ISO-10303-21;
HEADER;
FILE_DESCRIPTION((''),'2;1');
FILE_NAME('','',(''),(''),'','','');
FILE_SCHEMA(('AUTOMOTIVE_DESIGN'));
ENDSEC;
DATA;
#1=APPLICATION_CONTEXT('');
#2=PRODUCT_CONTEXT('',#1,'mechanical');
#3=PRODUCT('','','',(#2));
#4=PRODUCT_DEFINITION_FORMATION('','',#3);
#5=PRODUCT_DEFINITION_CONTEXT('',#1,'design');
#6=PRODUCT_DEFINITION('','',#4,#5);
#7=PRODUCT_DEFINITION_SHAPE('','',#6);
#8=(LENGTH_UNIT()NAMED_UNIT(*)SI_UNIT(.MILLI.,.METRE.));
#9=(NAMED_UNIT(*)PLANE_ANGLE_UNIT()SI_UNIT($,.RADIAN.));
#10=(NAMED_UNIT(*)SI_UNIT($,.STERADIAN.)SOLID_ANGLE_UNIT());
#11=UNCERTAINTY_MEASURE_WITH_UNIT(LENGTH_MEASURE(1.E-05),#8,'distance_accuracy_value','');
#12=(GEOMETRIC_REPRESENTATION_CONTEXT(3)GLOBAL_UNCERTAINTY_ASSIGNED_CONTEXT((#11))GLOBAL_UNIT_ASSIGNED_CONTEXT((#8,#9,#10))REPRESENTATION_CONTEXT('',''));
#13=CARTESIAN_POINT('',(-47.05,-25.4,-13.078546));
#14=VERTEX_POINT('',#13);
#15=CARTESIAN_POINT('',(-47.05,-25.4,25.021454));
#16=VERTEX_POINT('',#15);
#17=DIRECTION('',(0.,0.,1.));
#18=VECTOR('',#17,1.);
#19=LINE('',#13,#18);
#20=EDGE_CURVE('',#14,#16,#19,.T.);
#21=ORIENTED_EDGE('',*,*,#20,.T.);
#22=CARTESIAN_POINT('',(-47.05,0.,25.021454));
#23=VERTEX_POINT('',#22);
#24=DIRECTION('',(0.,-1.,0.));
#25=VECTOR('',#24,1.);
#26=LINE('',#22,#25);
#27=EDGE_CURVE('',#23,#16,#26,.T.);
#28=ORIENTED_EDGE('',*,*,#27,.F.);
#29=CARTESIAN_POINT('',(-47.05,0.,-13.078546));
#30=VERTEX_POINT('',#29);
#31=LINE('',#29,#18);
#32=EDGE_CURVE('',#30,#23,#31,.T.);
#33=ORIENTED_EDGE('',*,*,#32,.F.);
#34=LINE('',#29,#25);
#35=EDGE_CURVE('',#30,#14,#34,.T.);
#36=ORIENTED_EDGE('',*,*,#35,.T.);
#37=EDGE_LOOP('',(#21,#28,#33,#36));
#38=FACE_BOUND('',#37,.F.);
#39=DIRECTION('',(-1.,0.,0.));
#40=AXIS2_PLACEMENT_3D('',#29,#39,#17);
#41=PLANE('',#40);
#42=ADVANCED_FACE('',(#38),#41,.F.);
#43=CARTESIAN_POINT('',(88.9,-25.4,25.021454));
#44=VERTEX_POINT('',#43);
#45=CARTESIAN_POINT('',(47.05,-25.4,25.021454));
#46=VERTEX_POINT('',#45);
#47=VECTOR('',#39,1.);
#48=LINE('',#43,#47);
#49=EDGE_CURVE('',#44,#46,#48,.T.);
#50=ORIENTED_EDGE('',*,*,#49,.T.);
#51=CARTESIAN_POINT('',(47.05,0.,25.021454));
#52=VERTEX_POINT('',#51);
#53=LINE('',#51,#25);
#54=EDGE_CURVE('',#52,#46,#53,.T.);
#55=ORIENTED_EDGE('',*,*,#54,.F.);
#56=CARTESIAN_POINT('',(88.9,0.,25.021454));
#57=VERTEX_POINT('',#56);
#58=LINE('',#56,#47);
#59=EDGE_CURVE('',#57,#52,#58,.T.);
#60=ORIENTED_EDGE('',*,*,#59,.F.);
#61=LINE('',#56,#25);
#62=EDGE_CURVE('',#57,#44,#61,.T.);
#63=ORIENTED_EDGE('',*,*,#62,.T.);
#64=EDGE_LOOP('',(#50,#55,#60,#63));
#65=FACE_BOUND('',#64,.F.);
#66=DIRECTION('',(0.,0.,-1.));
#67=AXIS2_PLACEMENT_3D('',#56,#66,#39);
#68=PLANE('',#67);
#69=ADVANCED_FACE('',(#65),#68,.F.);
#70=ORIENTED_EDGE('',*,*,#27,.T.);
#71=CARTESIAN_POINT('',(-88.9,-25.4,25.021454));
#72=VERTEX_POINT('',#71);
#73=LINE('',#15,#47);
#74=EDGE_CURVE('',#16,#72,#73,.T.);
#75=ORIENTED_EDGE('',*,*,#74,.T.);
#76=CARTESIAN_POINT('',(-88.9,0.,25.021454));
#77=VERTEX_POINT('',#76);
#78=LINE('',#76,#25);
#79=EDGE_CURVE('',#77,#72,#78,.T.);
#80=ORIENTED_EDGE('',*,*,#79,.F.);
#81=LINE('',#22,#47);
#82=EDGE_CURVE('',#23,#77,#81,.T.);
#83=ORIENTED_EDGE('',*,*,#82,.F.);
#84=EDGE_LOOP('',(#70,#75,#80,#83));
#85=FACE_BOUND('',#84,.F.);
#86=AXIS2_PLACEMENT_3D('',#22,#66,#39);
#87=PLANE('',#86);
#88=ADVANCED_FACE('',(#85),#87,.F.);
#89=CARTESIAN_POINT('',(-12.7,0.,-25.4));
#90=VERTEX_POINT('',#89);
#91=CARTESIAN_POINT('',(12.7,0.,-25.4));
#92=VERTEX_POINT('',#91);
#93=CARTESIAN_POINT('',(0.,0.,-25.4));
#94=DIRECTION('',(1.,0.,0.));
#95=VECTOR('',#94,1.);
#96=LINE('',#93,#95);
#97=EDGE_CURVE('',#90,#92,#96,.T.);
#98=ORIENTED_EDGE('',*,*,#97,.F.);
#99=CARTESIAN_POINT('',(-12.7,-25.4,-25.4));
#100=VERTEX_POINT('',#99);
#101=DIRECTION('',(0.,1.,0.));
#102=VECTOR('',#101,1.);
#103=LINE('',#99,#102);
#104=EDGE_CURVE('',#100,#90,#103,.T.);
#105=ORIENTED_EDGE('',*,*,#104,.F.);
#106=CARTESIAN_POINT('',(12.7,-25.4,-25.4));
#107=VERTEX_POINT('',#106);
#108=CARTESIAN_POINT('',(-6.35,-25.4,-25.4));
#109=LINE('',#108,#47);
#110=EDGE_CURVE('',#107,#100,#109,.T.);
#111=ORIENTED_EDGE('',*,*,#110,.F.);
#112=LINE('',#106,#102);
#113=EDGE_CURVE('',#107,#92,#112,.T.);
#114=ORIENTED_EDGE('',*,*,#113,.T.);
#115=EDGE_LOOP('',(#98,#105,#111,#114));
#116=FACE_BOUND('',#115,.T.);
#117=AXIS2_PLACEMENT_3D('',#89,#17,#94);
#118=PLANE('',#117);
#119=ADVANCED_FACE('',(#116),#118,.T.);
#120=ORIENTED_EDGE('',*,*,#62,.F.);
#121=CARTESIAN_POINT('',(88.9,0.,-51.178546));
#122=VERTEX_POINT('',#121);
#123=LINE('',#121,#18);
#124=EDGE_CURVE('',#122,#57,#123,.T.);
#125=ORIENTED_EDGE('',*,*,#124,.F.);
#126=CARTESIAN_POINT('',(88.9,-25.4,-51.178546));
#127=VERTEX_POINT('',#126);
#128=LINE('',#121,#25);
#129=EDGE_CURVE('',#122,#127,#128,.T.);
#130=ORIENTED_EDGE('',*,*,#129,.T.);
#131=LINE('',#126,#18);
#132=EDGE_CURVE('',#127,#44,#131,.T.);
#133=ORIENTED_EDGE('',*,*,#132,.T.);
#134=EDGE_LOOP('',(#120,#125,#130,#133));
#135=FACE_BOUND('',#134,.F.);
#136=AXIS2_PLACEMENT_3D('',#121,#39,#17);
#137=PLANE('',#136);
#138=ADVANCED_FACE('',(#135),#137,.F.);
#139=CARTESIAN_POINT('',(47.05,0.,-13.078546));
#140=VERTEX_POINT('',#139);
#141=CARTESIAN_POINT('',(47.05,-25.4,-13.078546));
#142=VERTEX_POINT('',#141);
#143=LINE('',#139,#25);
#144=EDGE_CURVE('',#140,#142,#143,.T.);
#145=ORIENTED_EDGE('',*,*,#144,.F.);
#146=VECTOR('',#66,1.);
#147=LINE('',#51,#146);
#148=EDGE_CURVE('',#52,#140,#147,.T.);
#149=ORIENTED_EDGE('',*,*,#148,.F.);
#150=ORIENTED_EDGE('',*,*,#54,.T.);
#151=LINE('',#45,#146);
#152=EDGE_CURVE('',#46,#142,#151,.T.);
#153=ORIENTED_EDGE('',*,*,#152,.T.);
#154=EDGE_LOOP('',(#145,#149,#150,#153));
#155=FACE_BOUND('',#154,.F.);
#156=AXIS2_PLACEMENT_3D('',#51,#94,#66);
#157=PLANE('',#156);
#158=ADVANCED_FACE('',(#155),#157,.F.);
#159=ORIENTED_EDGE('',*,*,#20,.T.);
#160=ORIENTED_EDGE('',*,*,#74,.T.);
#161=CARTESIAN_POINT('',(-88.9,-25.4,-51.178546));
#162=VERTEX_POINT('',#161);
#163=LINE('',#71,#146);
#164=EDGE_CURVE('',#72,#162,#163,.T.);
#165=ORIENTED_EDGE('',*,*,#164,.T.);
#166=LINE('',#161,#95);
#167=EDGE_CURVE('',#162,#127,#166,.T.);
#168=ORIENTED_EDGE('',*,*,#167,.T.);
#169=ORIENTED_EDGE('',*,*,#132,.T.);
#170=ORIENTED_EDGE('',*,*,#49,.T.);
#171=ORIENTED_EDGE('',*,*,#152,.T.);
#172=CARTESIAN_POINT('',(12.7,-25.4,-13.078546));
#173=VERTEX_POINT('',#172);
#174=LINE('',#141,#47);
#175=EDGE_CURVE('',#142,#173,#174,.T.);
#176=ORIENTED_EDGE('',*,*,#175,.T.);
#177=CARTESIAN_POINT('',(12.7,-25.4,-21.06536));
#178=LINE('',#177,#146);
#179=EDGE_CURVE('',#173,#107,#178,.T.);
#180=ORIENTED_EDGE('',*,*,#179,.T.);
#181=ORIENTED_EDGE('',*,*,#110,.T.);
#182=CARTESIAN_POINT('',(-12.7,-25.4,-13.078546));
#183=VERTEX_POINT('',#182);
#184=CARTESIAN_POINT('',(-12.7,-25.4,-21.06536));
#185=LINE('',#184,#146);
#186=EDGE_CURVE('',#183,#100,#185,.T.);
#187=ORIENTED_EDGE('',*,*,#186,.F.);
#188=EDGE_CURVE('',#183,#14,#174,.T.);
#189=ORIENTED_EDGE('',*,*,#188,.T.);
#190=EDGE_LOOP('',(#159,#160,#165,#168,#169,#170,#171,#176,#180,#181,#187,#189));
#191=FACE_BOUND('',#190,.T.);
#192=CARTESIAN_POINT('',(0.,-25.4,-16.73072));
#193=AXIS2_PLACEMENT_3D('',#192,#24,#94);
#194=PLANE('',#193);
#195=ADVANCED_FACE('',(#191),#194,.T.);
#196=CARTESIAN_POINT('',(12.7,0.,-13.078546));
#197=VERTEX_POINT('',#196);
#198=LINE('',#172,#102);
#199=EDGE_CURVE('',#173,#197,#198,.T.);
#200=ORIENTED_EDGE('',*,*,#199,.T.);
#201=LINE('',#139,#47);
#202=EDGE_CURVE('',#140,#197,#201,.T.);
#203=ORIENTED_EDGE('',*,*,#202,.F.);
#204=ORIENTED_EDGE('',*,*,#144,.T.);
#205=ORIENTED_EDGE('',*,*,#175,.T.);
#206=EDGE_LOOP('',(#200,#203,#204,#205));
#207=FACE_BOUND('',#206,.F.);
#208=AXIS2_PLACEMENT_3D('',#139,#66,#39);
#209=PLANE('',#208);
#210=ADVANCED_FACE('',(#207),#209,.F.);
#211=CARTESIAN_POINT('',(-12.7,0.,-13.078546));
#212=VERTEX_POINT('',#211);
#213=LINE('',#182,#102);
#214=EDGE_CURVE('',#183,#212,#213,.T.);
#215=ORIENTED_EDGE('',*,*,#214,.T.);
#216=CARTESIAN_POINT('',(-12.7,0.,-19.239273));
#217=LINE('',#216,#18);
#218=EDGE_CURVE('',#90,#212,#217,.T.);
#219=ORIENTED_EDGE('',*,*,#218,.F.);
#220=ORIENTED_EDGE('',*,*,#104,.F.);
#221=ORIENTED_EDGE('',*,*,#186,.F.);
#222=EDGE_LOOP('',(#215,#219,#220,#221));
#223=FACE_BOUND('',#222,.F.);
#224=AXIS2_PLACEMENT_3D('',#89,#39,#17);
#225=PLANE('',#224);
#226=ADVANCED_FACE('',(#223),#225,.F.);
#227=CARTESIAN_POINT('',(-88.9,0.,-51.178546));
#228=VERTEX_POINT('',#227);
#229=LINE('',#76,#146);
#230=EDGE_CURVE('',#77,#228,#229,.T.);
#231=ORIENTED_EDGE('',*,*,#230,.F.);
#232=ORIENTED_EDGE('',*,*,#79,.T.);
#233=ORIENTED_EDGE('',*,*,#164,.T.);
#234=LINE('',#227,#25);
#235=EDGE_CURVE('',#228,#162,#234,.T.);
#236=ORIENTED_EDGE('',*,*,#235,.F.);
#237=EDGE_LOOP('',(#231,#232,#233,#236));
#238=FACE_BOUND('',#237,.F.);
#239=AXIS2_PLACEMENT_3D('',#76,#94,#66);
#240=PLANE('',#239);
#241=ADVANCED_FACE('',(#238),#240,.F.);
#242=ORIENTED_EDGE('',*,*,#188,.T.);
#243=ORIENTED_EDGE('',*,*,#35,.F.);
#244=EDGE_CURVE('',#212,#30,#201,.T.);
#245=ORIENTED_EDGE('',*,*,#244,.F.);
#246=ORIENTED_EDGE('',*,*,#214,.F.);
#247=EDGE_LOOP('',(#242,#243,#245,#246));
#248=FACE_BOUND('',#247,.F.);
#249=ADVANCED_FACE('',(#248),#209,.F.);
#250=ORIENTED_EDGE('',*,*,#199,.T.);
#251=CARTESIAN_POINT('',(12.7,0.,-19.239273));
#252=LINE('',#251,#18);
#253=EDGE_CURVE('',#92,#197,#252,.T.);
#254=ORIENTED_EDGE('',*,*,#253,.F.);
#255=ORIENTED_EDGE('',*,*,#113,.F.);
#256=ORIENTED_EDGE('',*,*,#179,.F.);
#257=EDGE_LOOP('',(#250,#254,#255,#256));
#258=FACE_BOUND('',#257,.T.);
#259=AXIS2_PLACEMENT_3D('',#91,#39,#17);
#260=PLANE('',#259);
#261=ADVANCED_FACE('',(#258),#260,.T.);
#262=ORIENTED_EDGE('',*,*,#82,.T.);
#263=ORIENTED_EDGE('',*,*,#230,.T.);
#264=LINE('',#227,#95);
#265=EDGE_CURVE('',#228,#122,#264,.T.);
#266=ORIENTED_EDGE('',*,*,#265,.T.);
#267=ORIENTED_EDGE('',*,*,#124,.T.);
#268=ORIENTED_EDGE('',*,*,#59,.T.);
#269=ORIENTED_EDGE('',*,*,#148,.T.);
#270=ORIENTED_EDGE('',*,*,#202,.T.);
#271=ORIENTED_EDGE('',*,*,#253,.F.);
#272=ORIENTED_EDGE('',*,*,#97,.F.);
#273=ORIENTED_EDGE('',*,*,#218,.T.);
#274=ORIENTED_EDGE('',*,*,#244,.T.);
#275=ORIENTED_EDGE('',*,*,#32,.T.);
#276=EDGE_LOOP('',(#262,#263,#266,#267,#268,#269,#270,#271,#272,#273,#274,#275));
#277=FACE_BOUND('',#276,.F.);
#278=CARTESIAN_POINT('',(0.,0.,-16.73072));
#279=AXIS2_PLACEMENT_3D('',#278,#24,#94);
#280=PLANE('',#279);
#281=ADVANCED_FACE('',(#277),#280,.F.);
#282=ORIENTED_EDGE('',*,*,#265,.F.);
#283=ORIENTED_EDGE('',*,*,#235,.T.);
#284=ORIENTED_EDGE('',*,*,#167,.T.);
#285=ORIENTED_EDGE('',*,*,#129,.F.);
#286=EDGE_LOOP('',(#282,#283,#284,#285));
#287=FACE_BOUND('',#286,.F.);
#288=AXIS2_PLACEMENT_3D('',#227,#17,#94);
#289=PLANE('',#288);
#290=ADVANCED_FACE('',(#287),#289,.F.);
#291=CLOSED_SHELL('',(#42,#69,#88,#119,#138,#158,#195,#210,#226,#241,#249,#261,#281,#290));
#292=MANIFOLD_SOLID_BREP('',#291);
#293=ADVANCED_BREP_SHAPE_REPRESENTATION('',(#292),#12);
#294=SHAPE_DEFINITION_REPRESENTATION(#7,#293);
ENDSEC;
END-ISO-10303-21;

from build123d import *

# Parameters (mm, degrees)
F1_DEPTH = 25.4
F2_W     = 25.4
F2_H     = 12.321454
F3_DEPTH = 4
F4_DEPTH = 25.401


with BuildPart() as f1:
    # F0 (on Front) → F1 (new body)
    with BuildSketch(Plane.XZ):
        Polygon((-47.05, 25.021454), (-88.9, 25.021454), (-88.9, -30.673691), (-88.9, -51.178546), (-41.565981, -51.178546), (0, -51.178546), (88.9, -51.178546), (88.9, 25.021454), (47.05, 25.021454), (47.05, -13.078546), (0, -13.078546), (-47.05, -13.078546), align=None)
    extrude(amount=F1_DEPTH)

    # F2 (on Front) → F3 (cut)
    with BuildSketch(Plane.XZ):
        with Locations((0, -19.239273)):
            Rectangle(F2_W, F2_H)
    extrude(amount=F3_DEPTH, mode=Mode.SUBTRACT)

    # F2 (on Front) → F4 (cut, through all)
    with BuildSketch(Plane.XZ):
        with Locations((0, -19.239273)):
            Rectangle(F2_W, F2_H)
    extrude(amount=F4_DEPTH, mode=Mode.SUBTRACT)


solid = f1.part
